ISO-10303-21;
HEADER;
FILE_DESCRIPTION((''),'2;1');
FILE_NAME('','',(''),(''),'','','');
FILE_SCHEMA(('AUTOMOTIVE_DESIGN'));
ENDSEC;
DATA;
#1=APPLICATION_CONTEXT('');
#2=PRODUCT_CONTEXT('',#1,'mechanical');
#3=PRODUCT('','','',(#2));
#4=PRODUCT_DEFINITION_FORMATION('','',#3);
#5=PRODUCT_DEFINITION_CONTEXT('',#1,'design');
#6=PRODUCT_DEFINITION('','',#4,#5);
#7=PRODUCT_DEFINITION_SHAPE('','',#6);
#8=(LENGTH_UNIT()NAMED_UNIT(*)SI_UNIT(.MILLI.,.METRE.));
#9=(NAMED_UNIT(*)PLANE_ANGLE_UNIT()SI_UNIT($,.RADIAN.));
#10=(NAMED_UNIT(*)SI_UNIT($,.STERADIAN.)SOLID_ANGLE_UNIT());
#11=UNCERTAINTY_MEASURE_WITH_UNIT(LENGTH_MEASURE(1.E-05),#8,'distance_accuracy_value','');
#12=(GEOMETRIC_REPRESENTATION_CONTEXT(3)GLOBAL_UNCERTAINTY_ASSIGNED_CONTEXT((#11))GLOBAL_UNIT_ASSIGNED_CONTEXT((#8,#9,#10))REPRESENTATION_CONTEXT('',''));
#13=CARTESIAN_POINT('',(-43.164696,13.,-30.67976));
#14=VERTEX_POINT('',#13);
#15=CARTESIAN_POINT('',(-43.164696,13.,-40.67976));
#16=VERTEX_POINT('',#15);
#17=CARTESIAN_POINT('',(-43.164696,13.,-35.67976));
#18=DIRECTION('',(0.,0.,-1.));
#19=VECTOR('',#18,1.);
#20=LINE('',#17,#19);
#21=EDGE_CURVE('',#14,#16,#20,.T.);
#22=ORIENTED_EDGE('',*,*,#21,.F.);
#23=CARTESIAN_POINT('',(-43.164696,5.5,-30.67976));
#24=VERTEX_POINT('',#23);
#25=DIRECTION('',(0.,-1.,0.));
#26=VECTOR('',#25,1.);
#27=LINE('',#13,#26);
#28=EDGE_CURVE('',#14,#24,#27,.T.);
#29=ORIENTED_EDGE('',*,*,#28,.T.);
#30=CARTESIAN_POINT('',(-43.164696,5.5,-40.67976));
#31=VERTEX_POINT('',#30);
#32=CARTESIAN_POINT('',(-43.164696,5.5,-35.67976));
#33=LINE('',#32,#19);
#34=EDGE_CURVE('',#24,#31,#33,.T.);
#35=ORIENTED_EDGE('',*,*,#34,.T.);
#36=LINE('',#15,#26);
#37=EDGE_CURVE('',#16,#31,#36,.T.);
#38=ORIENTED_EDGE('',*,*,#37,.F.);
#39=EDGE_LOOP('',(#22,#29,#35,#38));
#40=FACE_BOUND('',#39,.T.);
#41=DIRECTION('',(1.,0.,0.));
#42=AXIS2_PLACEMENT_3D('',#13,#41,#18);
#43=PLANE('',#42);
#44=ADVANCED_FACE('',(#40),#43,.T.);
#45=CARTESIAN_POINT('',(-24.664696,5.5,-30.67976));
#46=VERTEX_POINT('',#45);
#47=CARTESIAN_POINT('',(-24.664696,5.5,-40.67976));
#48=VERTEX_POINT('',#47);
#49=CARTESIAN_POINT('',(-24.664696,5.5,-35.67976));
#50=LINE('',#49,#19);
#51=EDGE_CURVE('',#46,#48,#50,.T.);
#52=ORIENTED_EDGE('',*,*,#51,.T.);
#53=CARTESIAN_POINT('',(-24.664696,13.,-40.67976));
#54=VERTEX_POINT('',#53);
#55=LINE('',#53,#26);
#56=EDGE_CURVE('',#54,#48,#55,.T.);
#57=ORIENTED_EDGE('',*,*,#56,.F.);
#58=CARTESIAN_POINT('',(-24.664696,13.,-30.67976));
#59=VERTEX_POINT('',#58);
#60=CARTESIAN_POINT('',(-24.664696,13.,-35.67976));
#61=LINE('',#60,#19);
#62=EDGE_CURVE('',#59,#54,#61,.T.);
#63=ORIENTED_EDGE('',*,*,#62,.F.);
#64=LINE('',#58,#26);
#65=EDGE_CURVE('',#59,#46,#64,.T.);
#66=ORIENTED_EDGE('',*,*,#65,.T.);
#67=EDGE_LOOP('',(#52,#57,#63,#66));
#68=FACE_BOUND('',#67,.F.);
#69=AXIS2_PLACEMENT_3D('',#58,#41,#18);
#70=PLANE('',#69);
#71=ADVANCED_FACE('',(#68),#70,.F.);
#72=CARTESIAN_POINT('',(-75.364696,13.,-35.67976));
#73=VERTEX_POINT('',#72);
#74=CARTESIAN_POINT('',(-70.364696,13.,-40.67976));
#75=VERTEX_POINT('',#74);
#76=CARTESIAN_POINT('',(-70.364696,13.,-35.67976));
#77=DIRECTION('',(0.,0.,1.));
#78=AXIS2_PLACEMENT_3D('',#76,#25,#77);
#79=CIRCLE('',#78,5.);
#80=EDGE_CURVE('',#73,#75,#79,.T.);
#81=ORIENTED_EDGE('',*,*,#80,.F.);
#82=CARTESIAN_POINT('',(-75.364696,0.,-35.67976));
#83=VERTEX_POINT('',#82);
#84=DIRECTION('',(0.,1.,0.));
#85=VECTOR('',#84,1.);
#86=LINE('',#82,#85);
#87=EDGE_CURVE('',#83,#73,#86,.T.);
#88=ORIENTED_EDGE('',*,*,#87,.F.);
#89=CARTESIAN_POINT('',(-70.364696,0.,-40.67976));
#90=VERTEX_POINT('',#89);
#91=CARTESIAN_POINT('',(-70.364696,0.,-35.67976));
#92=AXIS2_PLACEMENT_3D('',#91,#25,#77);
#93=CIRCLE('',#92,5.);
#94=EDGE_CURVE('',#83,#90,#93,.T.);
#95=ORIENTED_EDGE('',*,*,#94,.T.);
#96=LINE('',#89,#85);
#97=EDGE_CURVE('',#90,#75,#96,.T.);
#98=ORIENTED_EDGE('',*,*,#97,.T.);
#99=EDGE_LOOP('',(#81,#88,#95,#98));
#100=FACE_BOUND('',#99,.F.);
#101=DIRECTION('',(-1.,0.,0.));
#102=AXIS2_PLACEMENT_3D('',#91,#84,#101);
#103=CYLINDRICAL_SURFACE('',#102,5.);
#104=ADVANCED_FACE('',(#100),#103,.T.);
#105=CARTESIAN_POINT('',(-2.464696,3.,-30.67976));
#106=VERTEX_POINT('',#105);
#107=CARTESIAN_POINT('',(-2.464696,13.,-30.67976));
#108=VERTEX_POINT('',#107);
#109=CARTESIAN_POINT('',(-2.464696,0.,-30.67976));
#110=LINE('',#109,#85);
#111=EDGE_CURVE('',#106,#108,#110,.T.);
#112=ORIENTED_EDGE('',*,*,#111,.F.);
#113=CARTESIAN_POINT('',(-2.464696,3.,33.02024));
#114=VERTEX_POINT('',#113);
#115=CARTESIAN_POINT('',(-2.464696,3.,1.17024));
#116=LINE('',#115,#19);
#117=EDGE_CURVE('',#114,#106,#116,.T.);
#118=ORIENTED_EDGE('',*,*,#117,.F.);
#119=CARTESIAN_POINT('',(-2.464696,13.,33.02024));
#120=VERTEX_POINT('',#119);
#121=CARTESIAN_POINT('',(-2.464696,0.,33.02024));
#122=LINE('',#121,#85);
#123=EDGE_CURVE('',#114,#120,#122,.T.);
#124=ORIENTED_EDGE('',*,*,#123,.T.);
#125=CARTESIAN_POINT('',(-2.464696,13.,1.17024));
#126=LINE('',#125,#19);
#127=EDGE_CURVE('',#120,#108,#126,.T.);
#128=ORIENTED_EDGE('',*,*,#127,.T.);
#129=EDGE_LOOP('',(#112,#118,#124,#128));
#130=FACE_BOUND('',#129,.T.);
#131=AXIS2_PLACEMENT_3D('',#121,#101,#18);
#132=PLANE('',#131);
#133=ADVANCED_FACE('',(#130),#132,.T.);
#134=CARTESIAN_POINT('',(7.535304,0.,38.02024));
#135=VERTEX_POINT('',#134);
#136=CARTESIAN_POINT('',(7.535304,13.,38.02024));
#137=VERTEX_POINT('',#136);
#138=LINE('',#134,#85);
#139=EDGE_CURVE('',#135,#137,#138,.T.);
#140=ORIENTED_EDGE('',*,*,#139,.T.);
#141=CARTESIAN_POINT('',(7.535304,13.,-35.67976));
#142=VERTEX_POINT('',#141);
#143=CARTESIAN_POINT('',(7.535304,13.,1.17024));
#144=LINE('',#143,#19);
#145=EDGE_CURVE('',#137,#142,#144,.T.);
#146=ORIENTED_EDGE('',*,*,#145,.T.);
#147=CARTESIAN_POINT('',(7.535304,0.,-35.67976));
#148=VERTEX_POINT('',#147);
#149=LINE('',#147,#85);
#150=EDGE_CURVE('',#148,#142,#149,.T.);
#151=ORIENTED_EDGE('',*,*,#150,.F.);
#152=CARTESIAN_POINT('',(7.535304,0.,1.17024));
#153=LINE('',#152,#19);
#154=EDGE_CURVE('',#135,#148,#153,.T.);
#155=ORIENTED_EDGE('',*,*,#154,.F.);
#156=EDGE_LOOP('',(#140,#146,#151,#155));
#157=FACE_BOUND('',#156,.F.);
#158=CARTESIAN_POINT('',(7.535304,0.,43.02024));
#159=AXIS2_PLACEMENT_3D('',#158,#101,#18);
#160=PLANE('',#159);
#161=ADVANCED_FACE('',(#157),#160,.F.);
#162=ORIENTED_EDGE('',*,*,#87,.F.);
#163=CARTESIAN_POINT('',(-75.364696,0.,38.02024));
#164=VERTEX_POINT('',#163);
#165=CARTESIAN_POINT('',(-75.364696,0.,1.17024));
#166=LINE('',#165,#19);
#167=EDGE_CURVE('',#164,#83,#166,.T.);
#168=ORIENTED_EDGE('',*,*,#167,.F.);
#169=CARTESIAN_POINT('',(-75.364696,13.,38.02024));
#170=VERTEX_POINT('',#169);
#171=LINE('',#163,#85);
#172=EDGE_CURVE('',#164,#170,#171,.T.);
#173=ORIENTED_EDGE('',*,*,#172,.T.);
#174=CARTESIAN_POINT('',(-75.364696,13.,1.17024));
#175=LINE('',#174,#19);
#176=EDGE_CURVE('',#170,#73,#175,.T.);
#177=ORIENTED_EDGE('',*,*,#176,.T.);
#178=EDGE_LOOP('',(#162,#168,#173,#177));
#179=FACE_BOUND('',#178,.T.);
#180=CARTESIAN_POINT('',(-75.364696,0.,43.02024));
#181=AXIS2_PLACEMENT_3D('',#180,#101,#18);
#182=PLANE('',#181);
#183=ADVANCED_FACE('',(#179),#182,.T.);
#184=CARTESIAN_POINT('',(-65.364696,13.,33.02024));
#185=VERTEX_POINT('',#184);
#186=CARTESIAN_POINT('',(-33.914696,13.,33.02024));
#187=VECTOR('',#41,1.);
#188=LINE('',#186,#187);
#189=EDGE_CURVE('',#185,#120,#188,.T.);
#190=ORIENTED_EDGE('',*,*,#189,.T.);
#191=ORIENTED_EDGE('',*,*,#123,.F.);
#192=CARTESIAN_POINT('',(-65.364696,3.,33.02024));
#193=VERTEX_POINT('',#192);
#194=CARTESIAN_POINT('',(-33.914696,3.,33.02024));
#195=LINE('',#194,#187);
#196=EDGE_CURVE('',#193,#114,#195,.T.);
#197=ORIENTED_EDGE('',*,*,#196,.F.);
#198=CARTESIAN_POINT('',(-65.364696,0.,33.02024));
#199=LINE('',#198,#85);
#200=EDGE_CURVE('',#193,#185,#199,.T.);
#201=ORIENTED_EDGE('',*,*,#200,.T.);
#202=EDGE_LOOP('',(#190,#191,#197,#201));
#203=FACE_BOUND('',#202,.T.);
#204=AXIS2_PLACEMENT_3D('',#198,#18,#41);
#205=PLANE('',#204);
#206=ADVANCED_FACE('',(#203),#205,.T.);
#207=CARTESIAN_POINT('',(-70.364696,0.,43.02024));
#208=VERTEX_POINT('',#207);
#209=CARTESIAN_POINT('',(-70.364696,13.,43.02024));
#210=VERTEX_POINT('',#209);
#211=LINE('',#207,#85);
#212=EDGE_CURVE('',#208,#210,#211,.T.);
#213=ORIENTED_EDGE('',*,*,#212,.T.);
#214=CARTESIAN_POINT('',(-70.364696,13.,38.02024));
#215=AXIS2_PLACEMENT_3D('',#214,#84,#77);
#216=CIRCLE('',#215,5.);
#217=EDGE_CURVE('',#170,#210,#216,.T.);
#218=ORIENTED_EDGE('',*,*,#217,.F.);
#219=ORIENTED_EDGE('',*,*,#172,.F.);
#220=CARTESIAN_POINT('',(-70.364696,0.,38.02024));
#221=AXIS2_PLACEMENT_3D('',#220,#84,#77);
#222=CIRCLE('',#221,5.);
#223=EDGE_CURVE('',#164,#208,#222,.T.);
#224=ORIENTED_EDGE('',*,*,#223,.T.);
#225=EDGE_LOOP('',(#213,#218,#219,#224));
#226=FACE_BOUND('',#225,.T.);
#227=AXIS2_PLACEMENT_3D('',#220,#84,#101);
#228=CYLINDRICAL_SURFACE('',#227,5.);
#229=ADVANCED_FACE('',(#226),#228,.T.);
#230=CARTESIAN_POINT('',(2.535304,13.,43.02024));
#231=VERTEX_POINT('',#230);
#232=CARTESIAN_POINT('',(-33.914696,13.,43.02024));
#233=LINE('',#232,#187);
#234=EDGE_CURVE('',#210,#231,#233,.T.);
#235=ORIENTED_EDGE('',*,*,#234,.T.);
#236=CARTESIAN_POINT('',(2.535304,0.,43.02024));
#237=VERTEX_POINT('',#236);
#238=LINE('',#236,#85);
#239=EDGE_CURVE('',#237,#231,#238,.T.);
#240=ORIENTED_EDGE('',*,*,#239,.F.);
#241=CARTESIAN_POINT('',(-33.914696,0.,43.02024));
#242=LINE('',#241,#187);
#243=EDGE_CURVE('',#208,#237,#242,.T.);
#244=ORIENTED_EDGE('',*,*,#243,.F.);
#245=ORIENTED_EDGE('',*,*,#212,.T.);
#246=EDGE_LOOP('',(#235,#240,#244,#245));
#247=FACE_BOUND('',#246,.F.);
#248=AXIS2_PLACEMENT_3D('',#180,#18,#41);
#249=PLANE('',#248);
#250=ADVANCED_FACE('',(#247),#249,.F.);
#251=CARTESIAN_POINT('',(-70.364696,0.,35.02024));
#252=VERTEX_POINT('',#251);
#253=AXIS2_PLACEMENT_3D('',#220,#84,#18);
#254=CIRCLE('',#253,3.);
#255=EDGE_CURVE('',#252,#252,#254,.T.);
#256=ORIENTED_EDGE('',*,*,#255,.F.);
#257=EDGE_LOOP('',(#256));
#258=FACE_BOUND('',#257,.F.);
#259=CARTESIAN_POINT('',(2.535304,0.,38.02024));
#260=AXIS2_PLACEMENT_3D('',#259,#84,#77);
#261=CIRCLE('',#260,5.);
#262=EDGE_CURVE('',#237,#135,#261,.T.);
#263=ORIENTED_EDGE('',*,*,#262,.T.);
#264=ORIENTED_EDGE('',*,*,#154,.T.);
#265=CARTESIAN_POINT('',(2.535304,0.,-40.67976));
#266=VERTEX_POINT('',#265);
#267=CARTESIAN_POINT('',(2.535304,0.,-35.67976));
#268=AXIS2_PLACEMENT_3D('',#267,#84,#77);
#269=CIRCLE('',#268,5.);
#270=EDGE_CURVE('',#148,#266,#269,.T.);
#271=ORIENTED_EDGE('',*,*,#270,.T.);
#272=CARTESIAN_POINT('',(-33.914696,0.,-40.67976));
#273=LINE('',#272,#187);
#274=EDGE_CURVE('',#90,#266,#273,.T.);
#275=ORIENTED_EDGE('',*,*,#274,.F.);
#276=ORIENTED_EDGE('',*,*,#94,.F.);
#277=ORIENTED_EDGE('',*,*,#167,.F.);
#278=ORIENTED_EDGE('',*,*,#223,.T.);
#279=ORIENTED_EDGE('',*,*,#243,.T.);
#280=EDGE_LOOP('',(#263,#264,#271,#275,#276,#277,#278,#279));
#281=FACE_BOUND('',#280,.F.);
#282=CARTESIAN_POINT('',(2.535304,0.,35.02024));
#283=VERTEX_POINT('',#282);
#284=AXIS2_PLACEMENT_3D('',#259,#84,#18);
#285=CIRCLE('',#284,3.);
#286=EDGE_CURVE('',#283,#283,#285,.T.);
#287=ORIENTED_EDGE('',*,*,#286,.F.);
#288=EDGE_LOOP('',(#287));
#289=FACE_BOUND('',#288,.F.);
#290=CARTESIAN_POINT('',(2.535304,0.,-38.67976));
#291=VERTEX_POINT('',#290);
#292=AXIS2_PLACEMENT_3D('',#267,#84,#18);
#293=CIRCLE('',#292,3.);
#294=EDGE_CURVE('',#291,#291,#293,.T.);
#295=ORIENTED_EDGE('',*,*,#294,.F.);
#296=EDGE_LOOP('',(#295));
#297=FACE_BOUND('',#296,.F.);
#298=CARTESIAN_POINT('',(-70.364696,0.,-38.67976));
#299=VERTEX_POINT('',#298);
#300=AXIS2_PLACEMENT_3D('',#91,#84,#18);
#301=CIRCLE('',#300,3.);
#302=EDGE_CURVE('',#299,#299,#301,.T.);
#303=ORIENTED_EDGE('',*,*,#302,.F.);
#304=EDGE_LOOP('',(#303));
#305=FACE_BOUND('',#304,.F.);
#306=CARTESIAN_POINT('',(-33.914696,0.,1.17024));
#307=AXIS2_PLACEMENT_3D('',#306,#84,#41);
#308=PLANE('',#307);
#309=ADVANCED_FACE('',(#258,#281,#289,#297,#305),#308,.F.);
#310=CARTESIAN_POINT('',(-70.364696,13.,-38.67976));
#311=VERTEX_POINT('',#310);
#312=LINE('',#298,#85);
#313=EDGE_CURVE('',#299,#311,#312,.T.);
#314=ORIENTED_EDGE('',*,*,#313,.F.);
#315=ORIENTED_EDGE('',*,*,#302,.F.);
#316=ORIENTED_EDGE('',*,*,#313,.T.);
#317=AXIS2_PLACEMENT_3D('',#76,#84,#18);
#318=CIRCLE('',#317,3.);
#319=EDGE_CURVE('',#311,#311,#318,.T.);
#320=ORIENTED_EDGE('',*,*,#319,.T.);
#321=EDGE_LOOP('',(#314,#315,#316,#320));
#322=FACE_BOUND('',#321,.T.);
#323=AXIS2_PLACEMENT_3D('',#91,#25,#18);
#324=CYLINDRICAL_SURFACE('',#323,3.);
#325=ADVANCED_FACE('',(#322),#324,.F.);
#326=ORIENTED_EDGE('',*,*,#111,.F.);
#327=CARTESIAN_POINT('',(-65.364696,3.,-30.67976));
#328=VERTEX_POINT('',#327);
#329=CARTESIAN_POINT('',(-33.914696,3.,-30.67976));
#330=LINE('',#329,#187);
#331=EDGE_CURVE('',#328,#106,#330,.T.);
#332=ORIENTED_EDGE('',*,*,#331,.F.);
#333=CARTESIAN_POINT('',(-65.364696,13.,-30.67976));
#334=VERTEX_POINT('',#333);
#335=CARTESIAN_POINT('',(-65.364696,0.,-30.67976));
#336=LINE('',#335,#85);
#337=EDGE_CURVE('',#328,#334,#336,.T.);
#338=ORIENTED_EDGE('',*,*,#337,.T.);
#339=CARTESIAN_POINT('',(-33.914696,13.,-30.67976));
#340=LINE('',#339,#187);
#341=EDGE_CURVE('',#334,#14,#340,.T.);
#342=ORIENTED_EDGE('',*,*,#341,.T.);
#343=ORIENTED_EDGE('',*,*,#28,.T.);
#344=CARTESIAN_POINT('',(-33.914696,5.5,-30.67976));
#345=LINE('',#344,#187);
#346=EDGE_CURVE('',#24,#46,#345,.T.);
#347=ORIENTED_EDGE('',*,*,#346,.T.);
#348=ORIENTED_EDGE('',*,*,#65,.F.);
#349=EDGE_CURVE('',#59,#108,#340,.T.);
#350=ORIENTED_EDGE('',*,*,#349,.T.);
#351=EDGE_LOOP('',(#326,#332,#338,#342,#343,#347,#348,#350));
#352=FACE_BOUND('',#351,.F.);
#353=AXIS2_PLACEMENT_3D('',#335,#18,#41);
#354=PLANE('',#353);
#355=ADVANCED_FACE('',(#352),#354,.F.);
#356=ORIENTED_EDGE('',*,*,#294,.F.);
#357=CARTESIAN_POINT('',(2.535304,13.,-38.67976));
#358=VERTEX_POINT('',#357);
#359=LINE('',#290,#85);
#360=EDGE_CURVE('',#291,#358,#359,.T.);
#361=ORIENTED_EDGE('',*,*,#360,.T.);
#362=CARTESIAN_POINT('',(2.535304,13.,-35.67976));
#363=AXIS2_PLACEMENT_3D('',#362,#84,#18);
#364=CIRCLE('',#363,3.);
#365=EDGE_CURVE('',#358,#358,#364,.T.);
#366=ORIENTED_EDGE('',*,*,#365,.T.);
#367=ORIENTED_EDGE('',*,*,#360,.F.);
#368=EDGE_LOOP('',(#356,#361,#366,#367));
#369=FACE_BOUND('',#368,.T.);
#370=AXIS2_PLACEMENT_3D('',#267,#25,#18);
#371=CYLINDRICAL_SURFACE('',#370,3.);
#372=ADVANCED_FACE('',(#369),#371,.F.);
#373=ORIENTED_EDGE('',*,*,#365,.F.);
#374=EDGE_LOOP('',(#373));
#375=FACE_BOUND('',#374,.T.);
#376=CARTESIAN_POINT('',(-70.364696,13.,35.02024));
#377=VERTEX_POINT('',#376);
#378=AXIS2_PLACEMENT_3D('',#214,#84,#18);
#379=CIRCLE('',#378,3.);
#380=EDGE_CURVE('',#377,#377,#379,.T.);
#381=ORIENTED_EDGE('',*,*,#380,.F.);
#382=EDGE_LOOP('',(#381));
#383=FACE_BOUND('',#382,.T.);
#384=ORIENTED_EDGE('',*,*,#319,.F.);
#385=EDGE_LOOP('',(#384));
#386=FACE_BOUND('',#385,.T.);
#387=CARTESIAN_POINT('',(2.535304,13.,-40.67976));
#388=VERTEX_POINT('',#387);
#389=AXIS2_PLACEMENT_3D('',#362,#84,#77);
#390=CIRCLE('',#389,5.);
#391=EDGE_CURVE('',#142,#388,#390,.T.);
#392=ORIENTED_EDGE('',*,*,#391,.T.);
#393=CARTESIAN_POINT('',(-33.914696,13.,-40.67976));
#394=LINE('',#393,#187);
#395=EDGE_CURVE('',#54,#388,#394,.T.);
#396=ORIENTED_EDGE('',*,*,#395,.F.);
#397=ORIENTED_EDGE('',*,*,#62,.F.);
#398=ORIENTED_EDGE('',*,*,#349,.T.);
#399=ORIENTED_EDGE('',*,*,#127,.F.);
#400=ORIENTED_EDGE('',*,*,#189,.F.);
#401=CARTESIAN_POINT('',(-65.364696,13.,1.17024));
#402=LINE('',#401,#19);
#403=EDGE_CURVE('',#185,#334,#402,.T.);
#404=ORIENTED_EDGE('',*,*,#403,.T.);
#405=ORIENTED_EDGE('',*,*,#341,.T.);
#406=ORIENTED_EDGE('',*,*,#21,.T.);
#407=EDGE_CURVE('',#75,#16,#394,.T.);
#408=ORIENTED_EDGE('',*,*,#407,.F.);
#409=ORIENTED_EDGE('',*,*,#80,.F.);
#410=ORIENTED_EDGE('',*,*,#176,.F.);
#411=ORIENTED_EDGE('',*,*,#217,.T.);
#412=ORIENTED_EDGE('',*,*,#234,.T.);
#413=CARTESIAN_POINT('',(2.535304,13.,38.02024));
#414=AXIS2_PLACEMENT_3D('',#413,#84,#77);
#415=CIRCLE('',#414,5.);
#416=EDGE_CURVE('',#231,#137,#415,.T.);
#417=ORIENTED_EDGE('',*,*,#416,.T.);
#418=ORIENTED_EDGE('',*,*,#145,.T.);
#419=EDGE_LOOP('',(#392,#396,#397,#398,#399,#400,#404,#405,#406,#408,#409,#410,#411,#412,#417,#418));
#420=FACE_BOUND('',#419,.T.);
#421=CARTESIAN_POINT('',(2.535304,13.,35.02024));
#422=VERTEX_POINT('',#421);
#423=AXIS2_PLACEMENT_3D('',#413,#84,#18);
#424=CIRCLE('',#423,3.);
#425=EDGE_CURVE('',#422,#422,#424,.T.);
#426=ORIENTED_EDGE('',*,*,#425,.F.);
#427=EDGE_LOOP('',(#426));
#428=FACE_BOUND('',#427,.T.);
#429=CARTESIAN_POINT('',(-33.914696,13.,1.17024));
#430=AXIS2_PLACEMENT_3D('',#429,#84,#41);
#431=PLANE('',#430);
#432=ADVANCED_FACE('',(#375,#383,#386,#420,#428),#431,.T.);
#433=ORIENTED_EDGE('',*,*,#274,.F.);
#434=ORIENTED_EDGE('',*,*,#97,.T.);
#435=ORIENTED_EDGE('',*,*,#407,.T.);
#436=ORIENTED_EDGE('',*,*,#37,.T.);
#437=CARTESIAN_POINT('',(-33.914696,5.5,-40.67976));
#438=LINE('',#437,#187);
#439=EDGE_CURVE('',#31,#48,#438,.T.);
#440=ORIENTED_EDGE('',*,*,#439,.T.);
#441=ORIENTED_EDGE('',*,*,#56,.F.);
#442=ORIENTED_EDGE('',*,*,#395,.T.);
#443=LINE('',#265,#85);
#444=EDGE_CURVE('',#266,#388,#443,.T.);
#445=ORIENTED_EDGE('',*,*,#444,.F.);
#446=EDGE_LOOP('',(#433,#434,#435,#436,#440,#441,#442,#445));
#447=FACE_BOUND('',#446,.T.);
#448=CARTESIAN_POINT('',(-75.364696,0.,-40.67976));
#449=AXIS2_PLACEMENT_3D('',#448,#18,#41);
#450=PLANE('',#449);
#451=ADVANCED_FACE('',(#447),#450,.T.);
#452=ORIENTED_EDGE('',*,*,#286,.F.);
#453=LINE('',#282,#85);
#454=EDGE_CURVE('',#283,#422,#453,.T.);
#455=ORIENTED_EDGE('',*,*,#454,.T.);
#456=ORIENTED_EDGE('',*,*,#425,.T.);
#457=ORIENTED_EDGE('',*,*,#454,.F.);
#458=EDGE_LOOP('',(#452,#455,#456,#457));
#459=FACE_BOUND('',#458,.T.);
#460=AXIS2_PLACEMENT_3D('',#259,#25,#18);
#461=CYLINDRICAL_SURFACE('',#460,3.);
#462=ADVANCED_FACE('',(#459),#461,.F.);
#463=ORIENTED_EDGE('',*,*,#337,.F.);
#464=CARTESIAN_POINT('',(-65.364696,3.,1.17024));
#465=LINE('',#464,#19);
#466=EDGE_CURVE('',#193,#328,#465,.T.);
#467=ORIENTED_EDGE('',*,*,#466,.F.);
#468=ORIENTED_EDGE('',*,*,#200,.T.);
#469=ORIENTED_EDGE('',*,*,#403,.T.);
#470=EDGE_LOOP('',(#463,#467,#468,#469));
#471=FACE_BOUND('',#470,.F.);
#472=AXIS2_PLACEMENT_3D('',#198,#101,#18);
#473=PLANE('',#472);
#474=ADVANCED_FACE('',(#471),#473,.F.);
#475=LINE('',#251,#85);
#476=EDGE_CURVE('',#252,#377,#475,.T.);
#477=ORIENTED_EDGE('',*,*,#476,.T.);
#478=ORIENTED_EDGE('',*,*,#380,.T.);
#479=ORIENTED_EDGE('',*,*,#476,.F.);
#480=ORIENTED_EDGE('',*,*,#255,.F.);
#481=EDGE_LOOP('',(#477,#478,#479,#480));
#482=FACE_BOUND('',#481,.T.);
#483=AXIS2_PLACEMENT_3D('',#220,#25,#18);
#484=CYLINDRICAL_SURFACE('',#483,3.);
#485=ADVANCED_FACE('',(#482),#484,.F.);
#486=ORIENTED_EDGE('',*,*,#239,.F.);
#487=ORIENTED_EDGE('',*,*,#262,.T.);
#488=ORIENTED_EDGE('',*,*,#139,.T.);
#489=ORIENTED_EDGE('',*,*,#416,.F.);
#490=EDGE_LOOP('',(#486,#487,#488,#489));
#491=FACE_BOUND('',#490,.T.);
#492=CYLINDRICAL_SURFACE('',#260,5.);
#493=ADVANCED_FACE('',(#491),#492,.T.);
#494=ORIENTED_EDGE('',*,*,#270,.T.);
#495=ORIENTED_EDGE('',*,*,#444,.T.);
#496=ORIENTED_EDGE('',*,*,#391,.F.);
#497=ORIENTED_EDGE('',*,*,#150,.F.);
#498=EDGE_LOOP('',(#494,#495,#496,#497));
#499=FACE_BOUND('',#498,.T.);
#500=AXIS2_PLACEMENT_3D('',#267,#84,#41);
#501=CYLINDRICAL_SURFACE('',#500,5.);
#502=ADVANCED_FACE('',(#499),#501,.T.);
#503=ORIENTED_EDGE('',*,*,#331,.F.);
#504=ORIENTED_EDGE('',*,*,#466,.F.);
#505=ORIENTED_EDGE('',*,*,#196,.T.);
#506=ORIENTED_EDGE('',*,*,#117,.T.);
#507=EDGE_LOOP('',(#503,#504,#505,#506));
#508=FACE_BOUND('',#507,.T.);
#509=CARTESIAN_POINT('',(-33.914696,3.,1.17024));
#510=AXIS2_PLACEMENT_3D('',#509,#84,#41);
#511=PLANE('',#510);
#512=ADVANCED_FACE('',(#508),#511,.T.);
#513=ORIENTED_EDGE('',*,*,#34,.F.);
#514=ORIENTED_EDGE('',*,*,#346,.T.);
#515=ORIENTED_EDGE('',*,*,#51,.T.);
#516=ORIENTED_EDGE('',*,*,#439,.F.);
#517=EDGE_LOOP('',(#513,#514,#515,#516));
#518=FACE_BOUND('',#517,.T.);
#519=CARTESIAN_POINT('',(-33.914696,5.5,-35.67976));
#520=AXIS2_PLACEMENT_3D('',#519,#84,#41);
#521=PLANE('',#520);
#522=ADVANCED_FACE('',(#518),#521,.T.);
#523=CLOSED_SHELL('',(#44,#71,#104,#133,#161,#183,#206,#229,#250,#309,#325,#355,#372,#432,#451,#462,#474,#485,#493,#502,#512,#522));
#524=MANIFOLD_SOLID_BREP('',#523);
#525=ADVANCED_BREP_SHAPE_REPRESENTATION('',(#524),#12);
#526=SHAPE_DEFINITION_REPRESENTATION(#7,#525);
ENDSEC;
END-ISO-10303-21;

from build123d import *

# Parameters (mm, degrees)
SKETCH1_W           = 82.9
SKETCH1_H           = 83.7
SKETCH1_R           = 3
SKETCH1_W_2         = 62.9
SKETCH1_H_2         = 63.7
BOSS_EXTRUDE1_DEPTH = 13
SKETCH1_4_W         = 62.9
SKETCH1_4_H         = 63.7
BOSS_EXTRUDE2_DEPTH = 3
SKETCH2_W           = 18.5
SKETCH2_H           = 10
CUT_EXTRUDE1_DEPTH  = 7.5
FILLET1_R           = 5


with BuildPart() as part:
    # Sketch1 → Boss-Extrude1 (new body)
    with BuildSketch(Plane(origin=(0, 0, 0), x_dir=(1, 0, 0), z_dir=(0, 1, 0))):
        with Locations((-33.914696313, -1.170240017)):
            Rectangle(SKETCH1_W, SKETCH1_H)
        with Locations((-70.364696313, -38.020240017)):
            Circle(SKETCH1_R, mode=Mode.SUBTRACT)
        with Locations((2.535303687, -38.020240017)):
            Circle(SKETCH1_R, mode=Mode.SUBTRACT)
        with Locations((-70.364696313, 35.679759983)):
            Circle(SKETCH1_R, mode=Mode.SUBTRACT)
        with Locations((-33.914696313, -1.170240017)):
            Rectangle(SKETCH1_W_2, SKETCH1_H_2, mode=Mode.SUBTRACT)
        with Locations((2.535303687, 35.679759983)):
            Circle(SKETCH1_R, mode=Mode.SUBTRACT)
    extrude(amount=BOSS_EXTRUDE1_DEPTH)

    # Sketch1<4> → Boss-Extrude2 (add)
    with BuildSketch(Plane(origin=(0, 0, 0), x_dir=(1, 0, 0), z_dir=(0, 1, 0))):
        with Locations((-33.914696313, -1.170240017)):
            Rectangle(SKETCH1_4_W, SKETCH1_4_H)
    extrude(amount=BOSS_EXTRUDE2_DEPTH)

    # Sketch2 → Cut-Extrude1 (cut)
    with BuildSketch(Plane(origin=(0, 13, 0), x_dir=(1, 0, 0), z_dir=(0, 1, 0))):
        with Locations((-33.914696313, 35.679759983)):
            Rectangle(SKETCH2_W, SKETCH2_H)
    extrude(amount=-CUT_EXTRUDE1_DEPTH, mode=Mode.SUBTRACT)

    # Fillet1
    fillet1_edges = [part.edges().sort_by_distance(p)[0] for p in [
        (7.535303687, 6.5, 43.020240017),
        (-75.364696313, 6.5, 43.020240017),
        (7.535303687, 6.5, -40.679759983),
        (-75.364696313, 6.5, -40.679759983),
    ]]
    fillet(fillet1_edges, radius=FILLET1_R)


solid = part.part
